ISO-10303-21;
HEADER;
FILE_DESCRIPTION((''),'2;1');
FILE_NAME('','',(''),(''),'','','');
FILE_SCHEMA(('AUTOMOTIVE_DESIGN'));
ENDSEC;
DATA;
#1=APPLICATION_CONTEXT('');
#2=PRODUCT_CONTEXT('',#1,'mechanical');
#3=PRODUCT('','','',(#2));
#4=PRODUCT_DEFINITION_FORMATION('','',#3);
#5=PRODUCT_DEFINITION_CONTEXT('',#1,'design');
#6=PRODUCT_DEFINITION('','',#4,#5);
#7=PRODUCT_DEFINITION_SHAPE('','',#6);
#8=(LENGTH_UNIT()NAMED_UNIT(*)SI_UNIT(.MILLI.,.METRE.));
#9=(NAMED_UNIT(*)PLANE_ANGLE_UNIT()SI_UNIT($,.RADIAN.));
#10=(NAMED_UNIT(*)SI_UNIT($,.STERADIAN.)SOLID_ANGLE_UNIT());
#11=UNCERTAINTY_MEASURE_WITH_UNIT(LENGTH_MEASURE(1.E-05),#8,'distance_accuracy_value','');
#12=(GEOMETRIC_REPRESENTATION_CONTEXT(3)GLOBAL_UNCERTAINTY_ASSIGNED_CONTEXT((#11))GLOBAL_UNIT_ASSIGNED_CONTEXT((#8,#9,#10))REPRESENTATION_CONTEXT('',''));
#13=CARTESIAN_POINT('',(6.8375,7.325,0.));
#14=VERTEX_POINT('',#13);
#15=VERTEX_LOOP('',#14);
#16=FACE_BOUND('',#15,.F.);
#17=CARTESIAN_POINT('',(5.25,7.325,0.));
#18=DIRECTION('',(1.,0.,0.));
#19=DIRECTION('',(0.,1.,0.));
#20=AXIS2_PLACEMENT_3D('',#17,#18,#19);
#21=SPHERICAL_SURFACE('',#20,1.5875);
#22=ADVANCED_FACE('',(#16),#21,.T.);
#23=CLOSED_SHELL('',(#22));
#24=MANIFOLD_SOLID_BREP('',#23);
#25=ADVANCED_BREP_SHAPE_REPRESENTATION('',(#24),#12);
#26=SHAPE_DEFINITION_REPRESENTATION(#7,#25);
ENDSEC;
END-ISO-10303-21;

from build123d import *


with BuildPart() as part:
    # Sketch1 → Revolve1 (revolve)
    with BuildSketch(Plane.XY):
        with BuildLine():
            Line((6.8375, 7.325), (3.6625, 7.325))
            ThreePointArc((3.6625, 7.325), (5.25, 8.9125), (6.8375, 7.325))
        make_face()
    revolve(axis=Axis((6.8375, 7.325, 0), (-1, 0, 0)))


solid = part.part
